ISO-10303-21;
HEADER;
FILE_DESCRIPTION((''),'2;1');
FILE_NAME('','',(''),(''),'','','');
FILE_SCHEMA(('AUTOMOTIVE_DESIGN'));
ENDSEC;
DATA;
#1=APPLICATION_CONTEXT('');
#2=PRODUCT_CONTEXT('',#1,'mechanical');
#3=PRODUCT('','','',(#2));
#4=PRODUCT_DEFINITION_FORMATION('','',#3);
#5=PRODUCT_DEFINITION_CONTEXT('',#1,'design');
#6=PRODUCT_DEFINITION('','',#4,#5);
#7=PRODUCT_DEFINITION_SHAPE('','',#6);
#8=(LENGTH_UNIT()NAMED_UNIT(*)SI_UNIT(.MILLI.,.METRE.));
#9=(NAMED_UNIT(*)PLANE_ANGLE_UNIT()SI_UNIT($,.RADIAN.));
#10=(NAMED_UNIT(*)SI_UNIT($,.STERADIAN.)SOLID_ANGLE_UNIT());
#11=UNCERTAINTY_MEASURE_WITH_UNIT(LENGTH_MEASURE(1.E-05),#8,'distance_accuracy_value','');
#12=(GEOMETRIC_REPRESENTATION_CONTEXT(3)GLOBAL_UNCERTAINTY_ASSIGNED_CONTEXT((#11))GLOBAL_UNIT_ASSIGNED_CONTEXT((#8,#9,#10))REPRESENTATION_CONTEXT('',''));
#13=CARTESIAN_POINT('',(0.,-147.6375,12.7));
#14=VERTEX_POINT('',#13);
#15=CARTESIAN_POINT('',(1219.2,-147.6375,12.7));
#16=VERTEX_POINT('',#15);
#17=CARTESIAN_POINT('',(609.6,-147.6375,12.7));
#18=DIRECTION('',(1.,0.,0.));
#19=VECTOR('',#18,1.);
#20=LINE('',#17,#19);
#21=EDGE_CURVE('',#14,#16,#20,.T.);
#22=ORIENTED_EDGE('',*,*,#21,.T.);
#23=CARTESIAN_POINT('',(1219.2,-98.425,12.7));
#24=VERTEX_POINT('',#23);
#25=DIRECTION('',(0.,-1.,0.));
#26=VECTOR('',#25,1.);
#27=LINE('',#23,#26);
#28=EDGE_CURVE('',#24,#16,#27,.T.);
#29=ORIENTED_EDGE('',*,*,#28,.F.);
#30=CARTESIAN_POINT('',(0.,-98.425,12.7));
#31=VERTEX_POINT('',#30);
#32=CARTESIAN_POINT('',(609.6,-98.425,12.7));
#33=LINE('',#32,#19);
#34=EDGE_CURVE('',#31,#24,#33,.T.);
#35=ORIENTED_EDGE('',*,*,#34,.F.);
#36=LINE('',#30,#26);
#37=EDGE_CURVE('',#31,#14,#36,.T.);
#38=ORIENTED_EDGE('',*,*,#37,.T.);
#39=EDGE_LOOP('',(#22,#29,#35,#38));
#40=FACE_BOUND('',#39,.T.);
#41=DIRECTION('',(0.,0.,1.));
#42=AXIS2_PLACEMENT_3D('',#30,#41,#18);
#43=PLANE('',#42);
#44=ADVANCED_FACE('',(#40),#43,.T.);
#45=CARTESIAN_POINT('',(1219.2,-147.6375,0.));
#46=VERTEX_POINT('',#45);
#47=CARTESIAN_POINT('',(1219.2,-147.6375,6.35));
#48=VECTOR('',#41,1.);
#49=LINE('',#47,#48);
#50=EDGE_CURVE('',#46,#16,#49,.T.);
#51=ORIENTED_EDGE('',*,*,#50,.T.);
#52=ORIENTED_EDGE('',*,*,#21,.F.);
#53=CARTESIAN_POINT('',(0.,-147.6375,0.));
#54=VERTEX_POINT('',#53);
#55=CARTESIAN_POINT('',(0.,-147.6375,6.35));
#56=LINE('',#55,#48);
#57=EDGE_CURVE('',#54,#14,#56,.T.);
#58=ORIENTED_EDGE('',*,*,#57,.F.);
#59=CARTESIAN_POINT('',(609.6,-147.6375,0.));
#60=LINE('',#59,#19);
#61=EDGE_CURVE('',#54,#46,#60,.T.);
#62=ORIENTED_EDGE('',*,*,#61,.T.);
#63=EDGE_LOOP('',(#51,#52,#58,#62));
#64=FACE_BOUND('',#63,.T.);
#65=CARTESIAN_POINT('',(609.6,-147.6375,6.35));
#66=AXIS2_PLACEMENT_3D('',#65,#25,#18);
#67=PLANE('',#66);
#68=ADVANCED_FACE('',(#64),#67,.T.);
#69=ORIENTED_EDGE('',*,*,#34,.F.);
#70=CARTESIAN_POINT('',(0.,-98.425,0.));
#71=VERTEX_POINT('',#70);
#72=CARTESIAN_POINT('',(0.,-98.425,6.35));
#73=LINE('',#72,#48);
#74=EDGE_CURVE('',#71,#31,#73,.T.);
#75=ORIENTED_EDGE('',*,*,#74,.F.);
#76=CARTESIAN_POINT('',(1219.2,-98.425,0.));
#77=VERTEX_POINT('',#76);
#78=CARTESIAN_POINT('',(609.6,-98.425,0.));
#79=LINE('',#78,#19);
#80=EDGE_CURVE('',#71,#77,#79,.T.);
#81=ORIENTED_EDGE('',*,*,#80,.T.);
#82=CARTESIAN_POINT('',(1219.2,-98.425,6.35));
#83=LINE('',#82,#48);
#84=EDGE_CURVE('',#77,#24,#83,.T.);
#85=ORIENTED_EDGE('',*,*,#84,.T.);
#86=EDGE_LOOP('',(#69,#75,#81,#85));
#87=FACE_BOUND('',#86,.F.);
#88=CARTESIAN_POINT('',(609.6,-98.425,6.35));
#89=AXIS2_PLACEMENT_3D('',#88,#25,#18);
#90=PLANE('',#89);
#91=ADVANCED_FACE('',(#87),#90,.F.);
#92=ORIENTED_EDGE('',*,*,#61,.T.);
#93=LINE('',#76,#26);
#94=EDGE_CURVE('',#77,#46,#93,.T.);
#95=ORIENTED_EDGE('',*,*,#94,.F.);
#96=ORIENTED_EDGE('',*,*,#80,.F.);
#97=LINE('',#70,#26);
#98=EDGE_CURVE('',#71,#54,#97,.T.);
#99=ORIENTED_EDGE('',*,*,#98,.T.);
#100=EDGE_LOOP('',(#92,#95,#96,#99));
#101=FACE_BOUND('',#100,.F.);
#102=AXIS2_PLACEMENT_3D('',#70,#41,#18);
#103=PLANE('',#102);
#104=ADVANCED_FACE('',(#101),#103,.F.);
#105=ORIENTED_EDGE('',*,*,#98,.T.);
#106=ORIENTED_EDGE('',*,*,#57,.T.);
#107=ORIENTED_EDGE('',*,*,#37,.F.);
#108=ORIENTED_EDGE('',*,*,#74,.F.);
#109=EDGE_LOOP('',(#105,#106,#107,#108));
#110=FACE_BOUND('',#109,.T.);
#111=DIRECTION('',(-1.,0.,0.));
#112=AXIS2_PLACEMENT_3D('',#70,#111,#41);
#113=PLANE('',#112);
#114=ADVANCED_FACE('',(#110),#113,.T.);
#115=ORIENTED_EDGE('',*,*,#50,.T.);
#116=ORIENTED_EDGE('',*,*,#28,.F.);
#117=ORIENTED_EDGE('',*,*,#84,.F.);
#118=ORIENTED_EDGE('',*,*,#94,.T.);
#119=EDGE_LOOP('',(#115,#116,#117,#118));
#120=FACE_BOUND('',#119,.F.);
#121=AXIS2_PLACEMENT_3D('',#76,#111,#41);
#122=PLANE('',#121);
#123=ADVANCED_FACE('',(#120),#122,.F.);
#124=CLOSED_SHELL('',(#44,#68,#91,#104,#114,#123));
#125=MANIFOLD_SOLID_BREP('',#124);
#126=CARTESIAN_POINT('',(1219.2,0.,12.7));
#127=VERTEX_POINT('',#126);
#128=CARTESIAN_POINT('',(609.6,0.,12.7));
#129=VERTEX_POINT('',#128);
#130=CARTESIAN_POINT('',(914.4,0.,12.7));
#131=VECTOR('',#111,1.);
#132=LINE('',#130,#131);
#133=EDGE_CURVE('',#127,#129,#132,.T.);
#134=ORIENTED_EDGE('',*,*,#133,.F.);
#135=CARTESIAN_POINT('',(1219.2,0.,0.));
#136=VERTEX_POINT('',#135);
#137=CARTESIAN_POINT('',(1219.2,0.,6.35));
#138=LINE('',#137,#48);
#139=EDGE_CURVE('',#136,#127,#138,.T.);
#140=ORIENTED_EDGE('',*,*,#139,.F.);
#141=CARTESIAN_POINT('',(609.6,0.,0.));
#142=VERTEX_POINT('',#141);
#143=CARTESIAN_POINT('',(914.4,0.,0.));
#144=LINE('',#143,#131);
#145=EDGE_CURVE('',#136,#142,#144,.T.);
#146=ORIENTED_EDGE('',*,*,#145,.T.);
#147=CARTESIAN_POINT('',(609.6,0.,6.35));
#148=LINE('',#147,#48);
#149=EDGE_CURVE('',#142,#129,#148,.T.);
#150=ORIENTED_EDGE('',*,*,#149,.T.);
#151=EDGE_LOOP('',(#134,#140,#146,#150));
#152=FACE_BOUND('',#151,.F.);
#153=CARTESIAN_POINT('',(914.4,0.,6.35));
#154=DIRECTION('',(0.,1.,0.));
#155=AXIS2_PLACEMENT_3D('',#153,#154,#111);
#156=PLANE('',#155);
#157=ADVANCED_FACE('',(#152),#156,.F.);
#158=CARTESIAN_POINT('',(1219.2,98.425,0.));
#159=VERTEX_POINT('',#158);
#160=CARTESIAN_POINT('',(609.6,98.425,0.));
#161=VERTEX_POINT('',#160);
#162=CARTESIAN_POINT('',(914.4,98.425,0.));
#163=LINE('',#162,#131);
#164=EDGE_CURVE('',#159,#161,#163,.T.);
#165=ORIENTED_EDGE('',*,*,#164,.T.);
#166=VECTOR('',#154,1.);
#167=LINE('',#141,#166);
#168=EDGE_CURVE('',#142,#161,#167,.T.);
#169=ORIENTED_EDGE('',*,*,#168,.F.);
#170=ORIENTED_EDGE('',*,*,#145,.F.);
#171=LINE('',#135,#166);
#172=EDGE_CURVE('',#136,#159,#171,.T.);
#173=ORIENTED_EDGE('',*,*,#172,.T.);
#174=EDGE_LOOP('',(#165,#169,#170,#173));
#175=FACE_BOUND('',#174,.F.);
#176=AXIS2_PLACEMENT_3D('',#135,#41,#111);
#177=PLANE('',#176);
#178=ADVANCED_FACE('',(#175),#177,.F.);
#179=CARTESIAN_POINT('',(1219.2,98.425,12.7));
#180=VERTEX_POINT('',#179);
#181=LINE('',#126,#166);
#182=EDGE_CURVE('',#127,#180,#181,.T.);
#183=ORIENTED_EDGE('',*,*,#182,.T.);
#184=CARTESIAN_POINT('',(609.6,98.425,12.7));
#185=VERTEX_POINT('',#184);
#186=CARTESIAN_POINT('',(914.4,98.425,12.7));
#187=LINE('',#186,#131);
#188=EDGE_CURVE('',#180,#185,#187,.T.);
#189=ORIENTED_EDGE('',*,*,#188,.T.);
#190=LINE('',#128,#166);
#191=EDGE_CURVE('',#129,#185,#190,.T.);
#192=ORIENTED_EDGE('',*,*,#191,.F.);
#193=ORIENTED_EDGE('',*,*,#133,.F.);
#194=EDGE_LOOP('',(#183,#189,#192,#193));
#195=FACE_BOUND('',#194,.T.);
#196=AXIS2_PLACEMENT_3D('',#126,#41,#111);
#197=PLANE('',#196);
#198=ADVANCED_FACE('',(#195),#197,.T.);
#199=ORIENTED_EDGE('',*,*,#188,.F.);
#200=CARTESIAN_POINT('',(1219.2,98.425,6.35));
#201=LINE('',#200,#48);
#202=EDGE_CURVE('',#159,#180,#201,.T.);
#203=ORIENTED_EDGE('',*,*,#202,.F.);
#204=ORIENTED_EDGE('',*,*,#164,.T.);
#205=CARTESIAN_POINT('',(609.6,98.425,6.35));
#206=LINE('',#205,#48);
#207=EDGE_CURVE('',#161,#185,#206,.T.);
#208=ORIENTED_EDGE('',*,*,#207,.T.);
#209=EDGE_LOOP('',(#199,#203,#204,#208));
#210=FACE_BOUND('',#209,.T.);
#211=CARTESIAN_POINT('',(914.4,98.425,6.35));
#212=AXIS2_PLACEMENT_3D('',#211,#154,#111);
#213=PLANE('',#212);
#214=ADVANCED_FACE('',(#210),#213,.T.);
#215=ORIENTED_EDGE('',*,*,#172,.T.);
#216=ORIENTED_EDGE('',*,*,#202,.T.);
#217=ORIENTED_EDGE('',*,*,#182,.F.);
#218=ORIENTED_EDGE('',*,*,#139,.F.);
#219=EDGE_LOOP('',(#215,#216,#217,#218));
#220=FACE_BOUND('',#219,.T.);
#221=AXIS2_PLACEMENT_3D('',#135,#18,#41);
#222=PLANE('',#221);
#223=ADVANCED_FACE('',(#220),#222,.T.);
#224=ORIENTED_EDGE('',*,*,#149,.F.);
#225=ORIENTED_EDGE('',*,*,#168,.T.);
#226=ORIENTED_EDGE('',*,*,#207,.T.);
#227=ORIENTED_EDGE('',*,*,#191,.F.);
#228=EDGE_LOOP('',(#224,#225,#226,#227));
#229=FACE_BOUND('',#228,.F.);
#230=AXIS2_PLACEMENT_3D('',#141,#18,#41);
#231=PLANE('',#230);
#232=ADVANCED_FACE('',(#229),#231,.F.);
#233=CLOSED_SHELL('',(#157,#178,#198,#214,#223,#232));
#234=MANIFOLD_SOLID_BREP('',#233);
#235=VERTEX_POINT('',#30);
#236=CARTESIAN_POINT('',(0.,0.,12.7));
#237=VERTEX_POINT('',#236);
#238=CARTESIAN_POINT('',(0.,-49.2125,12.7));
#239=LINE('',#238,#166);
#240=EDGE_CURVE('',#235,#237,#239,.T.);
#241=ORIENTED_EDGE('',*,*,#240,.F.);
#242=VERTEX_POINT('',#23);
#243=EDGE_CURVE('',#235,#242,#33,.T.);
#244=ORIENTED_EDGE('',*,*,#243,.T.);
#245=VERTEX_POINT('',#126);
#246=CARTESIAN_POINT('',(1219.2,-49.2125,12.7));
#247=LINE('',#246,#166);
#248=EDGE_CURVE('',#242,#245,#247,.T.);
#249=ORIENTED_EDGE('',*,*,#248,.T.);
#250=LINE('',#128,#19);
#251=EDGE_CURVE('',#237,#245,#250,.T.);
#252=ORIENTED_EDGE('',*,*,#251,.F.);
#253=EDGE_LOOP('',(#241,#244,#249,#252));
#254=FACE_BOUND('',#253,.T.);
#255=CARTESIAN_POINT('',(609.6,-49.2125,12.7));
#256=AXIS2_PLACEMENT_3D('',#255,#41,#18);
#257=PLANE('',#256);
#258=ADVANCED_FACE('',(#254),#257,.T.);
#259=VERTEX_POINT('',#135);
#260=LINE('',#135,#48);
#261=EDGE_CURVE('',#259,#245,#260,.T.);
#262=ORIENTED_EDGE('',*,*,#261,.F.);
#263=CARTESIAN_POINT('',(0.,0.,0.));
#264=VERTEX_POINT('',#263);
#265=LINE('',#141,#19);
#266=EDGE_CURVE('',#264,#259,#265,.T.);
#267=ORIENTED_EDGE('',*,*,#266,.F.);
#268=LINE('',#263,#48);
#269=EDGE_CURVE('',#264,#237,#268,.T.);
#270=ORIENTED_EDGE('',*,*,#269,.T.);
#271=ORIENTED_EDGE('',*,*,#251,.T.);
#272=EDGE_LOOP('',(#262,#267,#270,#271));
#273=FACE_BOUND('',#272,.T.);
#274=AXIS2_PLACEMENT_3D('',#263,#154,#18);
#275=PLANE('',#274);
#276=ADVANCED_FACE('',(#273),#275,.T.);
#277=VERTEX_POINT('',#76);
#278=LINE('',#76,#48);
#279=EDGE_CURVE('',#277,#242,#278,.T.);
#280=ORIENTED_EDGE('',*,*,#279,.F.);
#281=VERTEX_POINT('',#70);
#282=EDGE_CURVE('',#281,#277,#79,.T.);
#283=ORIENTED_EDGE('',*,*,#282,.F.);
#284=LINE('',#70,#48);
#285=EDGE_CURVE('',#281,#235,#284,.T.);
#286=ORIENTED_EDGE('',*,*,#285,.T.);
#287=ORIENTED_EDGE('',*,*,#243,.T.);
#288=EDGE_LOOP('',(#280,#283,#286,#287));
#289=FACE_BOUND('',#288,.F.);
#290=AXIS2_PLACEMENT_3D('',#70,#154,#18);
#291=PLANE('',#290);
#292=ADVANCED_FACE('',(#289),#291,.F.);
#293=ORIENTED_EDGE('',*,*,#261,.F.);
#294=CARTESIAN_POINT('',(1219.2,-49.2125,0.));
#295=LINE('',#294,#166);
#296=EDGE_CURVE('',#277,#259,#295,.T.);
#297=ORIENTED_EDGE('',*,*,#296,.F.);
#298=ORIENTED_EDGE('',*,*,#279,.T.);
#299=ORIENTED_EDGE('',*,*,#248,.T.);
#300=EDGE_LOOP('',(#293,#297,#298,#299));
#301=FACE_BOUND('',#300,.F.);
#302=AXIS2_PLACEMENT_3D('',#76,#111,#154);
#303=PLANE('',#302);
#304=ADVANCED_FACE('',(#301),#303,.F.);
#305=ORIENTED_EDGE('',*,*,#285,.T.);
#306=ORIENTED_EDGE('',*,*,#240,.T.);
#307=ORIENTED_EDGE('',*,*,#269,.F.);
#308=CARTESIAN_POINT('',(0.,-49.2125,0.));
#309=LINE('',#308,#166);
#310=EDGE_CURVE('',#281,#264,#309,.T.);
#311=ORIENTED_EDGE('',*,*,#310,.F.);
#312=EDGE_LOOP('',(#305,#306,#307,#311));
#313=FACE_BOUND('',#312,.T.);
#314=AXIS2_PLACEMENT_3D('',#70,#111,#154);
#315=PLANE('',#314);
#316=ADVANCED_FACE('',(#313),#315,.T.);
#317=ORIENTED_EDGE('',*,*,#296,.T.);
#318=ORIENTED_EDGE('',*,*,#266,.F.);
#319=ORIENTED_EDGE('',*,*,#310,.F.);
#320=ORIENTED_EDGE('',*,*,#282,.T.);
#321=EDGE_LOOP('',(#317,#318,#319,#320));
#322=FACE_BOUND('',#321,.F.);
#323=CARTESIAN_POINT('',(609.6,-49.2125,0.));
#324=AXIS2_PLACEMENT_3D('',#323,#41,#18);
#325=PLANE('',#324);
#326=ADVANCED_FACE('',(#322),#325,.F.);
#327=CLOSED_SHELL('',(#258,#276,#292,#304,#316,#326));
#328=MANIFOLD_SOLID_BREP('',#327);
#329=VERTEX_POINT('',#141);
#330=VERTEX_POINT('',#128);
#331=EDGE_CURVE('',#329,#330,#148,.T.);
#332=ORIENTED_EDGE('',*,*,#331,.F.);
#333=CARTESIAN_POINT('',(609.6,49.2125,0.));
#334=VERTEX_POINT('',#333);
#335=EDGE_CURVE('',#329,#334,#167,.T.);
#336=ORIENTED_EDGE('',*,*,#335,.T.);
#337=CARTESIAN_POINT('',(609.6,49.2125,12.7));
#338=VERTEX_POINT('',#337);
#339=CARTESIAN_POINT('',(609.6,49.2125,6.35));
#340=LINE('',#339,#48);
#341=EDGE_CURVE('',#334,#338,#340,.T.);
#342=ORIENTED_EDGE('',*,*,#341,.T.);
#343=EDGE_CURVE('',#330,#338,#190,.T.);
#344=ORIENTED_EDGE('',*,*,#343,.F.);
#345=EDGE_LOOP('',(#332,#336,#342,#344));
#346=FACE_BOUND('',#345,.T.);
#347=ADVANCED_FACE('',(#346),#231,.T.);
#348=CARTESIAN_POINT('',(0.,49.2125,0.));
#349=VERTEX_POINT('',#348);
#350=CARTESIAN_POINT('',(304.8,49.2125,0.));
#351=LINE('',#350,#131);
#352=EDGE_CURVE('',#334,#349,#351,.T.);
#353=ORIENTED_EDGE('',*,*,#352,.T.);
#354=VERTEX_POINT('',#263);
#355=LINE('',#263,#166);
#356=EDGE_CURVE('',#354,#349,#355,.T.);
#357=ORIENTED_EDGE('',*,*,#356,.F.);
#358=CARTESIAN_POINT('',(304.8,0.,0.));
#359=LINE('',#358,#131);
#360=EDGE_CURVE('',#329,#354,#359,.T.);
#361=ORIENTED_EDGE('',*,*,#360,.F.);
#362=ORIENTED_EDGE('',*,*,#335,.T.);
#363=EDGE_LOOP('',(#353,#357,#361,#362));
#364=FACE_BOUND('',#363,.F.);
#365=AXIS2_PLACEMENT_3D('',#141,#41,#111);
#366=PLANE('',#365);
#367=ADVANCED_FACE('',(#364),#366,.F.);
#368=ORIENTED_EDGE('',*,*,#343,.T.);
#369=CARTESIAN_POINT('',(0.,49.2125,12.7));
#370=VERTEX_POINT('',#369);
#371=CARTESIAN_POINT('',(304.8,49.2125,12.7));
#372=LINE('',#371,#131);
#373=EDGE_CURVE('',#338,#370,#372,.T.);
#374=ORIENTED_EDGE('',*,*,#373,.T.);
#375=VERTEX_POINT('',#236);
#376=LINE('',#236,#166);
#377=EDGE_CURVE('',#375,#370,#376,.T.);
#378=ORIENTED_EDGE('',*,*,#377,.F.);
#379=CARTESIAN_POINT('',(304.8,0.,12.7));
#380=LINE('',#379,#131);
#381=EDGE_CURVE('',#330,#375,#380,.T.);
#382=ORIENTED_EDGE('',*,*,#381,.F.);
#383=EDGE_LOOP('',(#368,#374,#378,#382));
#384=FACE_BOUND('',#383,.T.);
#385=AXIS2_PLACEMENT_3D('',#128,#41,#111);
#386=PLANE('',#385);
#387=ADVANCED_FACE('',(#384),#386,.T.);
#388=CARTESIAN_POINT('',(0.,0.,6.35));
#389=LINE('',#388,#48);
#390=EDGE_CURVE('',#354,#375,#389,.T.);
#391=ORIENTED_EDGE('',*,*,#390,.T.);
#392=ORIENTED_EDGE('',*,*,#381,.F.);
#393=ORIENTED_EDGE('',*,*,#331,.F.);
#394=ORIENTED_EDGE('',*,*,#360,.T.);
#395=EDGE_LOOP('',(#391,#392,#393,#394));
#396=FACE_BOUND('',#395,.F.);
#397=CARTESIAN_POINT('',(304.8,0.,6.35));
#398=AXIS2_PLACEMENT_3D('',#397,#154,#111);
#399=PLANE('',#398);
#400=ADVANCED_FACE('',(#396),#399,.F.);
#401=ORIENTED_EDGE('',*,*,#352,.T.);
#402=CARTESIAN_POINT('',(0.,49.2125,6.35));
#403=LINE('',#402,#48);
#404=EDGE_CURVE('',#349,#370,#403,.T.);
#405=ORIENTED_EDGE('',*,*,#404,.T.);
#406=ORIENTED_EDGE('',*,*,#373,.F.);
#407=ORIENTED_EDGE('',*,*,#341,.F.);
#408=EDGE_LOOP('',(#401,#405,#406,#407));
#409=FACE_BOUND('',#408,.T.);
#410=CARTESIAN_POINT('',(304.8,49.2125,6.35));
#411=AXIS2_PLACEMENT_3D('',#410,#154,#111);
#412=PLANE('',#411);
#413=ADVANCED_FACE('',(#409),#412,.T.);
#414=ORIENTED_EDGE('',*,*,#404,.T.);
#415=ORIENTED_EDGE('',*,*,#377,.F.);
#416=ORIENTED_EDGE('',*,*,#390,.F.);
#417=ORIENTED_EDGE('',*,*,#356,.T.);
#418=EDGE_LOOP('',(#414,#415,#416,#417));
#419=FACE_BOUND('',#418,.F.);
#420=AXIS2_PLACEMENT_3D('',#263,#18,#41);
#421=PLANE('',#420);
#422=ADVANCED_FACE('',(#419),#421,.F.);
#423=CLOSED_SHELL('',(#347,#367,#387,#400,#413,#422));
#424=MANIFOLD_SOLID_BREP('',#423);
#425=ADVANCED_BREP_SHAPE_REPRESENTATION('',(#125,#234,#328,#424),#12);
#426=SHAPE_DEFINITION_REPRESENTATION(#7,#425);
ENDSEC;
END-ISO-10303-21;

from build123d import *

# Parameters (mm, degrees)
F0_W     = 1219.2
F0_H     = 98.425
F1_DEPTH = 12.7
F2_W     = 1219.2
F2_H     = 12.7
F3_DEPTH = 49.2125
F4_W     = 609.6
F4_H     = 12.7
F5_DEPTH = 98.425
F6_W     = 609.6
F6_H     = 12.7
F7_DEPTH = 49.2125


with BuildPart() as f1:
    # F0 (on Top) → F1 (new body)
    with BuildSketch(Plane.XY):
        with Locations((609.6, -49.2125)):
            Rectangle(F0_W, F0_H)
    extrude(amount=F1_DEPTH)


with BuildPart() as f3:
    # F2 (on face) → F3 (new body)
    with BuildSketch(Plane.XZ.offset(98.425)):
        with Locations((609.6, 6.35)):
            Rectangle(F2_W, F2_H)
    extrude(amount=F3_DEPTH)


with BuildPart() as f5:
    # F4 (on face) → F5 (new body)
    with BuildSketch(Plane(origin=(0, 0, 0), x_dir=(-1, 0, 0), z_dir=(0, 1, 0))):
        with Locations((-914.4, 6.35)):
            Rectangle(F4_W, F4_H)
    extrude(amount=F5_DEPTH)


with BuildPart() as f7:
    # F6 (on face) → F7 (new body)
    with BuildSketch(Plane(origin=(0, 0, 0), x_dir=(-1, 0, 0), z_dir=(0, 1, 0))):
        with Locations((-304.8, 6.35)):
            Rectangle(F6_W, F6_H)
    extrude(amount=F7_DEPTH)


solid = Compound([f1.part, f3.part, f5.part, f7.part])
